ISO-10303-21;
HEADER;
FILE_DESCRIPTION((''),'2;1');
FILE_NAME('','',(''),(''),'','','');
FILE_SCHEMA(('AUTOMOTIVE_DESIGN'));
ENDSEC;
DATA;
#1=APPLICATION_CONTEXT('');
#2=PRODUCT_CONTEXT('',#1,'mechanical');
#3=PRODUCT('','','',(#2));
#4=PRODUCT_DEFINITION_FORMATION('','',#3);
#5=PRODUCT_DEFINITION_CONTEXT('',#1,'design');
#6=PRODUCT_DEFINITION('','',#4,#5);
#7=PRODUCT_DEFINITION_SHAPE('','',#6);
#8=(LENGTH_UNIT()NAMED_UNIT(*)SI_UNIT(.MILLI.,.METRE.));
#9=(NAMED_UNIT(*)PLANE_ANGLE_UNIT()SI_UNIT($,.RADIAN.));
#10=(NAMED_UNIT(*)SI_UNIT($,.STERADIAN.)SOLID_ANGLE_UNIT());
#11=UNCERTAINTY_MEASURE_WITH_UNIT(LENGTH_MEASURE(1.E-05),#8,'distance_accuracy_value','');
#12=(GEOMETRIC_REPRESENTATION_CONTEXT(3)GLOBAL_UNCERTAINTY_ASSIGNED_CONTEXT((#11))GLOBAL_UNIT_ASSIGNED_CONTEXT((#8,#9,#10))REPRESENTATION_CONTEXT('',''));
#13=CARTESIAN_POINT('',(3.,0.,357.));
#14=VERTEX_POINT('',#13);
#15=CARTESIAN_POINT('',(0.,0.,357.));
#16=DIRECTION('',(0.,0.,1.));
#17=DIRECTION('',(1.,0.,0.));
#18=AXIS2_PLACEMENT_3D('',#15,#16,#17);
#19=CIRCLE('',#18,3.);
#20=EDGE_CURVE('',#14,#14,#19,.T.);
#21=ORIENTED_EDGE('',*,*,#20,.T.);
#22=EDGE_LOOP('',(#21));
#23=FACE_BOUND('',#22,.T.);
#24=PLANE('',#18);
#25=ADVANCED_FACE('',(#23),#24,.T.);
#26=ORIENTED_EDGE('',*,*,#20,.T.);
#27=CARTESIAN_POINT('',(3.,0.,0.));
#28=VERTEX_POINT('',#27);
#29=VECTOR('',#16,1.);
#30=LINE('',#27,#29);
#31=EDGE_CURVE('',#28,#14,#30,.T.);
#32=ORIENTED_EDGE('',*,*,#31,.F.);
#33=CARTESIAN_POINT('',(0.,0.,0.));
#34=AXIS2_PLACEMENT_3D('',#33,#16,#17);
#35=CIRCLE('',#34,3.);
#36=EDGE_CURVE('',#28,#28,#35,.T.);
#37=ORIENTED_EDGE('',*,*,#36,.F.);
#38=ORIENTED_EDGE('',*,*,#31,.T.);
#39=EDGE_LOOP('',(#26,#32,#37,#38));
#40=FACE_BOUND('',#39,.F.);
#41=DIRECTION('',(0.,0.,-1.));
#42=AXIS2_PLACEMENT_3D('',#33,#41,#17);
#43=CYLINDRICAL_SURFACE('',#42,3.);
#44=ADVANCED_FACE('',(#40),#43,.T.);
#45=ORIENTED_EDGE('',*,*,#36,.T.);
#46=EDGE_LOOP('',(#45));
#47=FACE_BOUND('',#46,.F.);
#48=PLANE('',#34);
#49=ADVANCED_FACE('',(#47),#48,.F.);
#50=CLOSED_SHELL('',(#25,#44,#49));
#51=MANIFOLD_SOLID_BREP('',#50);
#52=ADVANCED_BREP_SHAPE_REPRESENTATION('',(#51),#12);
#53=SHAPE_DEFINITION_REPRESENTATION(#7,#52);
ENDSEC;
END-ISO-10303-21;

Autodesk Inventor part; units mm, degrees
ref_plane "YZ Plane" through (0, 0, 0) normal (1, 0, 0) x (0, 1, 0)
ref_plane "XZ Plane" through (0, 0, 0) normal (0, 1, 0) x (-1, 0, 0)
ref_plane "XY Plane" through (0, 0, 0) normal (0, 0, 1) x (1, 0, 0)
sketch "Sketch1" plane through (0, 0, 0) normal (0, 0, 1) x (1, 0, 0)
  circle A0 centre (0, 0) radius 3
  dimension "d0" = 6
extrude "Extrusion1" add sketch "Sketch1" along normal blind 357
properties part number "løbestang1" material "Steel"
